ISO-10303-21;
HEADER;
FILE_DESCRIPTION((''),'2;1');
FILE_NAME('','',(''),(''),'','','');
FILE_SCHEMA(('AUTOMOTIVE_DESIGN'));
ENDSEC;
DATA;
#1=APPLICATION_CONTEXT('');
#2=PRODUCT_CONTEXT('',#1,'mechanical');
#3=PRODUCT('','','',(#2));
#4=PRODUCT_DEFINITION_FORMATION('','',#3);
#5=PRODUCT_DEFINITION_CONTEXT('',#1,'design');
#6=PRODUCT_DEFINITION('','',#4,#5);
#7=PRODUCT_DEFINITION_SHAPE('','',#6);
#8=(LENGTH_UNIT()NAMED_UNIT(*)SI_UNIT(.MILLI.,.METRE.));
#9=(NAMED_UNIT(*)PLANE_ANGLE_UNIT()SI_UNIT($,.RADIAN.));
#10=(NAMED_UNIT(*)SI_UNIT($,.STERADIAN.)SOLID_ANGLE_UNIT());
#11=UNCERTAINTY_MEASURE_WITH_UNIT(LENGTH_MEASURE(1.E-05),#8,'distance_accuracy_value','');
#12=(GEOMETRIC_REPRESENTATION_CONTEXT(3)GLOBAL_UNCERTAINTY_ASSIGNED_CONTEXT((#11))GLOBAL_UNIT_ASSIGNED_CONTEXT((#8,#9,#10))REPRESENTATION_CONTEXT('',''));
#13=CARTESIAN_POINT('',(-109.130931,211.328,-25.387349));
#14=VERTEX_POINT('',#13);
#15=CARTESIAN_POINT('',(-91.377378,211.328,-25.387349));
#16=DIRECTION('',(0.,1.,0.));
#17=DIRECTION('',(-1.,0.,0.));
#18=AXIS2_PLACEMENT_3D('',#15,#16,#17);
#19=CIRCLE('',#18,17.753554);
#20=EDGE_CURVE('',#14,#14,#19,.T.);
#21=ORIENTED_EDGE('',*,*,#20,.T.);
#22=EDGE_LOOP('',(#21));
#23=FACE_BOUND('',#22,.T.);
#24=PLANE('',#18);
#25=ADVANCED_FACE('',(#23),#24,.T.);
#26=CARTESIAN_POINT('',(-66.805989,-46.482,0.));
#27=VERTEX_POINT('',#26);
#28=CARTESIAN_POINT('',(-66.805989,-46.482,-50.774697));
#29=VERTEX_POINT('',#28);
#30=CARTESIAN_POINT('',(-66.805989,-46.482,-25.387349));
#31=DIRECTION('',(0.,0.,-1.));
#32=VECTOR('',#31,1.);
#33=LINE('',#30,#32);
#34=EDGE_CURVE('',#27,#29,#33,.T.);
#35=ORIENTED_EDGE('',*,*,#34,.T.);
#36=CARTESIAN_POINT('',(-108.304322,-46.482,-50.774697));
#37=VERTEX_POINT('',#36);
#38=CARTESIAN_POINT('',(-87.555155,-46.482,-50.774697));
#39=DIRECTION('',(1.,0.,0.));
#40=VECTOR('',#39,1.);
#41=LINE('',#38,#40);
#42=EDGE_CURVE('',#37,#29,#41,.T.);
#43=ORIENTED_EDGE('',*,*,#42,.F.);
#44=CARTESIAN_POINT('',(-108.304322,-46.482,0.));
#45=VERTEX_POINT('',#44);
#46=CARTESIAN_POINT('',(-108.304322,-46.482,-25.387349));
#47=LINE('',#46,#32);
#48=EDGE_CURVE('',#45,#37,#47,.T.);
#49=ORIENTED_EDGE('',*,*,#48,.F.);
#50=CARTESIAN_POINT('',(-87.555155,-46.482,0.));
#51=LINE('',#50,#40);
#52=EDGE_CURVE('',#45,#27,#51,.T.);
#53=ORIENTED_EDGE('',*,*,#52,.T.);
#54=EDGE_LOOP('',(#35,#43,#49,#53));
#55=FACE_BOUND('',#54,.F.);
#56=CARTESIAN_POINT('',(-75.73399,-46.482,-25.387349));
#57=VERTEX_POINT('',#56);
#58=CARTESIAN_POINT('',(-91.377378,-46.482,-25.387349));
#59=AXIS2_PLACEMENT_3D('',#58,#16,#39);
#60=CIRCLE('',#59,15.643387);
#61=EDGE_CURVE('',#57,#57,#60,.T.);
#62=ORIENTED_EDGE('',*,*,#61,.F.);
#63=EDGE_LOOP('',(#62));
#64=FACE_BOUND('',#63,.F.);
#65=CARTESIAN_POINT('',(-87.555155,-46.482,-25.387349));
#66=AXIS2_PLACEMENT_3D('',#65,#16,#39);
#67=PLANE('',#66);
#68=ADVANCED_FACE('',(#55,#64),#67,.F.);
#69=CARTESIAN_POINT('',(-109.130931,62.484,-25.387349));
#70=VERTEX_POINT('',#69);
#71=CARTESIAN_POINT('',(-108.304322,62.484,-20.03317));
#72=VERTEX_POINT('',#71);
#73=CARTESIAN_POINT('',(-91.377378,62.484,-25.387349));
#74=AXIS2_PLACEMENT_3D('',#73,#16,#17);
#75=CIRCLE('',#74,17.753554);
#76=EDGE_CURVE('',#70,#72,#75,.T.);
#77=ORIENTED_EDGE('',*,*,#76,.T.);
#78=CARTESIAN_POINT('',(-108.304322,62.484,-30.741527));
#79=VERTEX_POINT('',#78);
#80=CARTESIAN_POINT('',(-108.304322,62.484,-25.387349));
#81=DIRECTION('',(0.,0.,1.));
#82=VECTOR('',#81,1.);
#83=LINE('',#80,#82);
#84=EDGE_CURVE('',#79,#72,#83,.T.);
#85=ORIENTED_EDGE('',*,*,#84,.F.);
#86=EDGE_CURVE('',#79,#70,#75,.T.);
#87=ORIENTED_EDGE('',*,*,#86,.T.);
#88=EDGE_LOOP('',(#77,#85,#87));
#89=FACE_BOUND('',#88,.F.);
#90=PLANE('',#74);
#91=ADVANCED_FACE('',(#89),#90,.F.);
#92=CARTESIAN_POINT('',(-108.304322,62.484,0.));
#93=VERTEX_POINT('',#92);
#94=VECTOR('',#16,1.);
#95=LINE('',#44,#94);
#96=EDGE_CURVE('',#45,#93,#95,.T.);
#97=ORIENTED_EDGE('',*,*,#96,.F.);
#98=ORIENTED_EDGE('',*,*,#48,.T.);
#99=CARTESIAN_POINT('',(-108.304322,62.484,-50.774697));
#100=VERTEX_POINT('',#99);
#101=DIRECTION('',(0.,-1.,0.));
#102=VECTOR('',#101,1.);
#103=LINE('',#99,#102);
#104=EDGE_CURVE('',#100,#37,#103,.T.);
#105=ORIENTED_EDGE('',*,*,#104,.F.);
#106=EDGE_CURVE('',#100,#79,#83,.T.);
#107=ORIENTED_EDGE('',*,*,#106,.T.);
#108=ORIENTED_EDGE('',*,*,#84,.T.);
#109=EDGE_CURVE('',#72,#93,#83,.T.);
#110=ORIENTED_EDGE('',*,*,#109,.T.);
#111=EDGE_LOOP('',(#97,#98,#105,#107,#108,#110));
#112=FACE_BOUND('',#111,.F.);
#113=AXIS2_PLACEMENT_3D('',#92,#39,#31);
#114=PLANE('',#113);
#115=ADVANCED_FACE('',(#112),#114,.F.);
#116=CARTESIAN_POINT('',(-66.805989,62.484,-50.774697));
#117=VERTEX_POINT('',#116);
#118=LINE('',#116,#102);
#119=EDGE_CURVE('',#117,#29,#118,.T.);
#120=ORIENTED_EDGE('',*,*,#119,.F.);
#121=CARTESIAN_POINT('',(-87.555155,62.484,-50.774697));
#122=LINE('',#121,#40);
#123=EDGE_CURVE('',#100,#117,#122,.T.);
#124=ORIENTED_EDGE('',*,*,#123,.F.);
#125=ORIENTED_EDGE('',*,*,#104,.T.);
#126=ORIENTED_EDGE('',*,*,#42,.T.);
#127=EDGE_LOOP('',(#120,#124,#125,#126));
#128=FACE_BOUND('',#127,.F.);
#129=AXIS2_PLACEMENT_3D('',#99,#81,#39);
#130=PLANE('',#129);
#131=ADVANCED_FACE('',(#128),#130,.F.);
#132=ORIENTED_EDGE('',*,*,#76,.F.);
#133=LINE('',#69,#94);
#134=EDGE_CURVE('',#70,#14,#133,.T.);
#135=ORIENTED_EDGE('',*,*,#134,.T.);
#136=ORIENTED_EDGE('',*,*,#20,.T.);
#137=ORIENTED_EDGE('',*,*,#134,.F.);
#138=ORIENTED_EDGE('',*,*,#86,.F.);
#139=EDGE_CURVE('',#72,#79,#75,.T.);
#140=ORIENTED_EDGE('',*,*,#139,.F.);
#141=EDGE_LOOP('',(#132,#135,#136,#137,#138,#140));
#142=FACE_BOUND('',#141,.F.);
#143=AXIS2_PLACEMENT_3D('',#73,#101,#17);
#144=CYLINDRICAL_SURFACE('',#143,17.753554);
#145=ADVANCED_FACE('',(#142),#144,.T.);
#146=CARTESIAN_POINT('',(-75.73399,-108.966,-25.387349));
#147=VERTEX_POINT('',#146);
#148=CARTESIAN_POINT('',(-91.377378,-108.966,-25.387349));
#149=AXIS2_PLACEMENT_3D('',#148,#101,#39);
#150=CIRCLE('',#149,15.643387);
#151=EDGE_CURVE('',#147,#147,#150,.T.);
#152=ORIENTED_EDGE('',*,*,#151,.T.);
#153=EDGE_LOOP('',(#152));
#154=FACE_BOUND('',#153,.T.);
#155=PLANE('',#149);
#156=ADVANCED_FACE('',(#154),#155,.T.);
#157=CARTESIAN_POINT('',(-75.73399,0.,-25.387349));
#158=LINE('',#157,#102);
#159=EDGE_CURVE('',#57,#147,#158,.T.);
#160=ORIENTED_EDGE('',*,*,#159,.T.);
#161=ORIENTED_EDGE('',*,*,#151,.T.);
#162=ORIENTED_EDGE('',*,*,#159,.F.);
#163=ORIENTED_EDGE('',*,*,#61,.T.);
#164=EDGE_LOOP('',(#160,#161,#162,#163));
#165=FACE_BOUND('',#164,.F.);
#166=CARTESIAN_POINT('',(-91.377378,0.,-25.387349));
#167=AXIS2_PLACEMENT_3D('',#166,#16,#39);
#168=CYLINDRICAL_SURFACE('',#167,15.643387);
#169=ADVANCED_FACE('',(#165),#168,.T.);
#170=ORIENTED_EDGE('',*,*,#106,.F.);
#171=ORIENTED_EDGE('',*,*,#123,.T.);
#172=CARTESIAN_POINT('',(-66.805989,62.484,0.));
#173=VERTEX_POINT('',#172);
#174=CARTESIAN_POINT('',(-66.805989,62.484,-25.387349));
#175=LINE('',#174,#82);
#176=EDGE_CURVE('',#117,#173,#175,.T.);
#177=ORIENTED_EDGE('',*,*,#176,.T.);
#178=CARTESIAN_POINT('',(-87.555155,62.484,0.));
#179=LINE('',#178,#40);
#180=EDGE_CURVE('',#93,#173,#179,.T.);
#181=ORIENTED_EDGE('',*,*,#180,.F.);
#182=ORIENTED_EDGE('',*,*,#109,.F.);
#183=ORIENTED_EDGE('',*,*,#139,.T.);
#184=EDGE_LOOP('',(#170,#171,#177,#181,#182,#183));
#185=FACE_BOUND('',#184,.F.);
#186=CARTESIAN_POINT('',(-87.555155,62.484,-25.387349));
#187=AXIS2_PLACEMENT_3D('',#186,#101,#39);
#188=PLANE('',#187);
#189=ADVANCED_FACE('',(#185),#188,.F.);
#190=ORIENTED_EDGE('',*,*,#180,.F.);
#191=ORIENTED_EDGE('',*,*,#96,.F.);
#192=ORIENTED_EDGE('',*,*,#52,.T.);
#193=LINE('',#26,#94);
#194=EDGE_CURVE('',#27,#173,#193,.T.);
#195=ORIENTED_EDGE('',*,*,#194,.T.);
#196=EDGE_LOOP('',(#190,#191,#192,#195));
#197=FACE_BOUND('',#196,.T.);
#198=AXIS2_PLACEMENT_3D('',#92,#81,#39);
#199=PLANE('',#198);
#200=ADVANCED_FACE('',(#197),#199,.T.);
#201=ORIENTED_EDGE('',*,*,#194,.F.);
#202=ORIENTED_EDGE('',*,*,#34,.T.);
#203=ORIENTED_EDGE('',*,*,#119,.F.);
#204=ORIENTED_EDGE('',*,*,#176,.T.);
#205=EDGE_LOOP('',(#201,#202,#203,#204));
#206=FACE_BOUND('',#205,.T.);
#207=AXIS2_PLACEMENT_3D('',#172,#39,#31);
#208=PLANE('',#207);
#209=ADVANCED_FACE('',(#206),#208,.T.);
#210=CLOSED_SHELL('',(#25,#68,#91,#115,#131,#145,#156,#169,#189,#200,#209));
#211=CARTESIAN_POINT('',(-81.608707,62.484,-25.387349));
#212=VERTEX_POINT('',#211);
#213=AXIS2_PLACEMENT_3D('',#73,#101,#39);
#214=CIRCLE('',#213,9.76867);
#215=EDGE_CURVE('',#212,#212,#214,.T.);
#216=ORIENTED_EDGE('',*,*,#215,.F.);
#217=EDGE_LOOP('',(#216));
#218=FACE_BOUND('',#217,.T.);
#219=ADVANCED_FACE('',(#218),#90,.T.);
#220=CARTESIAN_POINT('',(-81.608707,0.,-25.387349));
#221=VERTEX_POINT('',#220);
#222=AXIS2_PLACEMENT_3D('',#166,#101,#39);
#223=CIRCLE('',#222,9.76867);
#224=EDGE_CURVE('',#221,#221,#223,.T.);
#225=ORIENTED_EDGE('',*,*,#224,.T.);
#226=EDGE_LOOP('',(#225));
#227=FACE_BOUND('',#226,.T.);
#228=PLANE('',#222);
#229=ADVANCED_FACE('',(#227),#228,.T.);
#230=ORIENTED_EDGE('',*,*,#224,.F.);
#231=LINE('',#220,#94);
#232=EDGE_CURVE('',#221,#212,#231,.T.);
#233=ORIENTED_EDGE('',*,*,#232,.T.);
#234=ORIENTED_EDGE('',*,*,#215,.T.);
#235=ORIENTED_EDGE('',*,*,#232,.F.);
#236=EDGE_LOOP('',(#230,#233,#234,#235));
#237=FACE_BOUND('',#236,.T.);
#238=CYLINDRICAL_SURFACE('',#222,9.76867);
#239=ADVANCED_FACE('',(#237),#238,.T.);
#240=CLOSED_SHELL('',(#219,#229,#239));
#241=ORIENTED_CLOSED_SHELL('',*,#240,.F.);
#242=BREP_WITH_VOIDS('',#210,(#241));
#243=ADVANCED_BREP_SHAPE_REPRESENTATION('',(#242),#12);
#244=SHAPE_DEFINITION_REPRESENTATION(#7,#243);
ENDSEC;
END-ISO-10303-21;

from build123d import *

# Parameters (mm, degrees)
F0_W       = 41.4983332157
F0_H       = 50.7746972144
F0_R       = 9.7686704189
F1_DEPTH   = 62.484
F2_R       = 15.6433873562
F1_FACE1_W = 41.4983332157
F1_FACE1_H = 50.7746972144
F1_FACE1_R = 9.7686704189
F3_DEPTH   = 108.966
F4_R       = 17.7535536274
F5_DEPTH   = 148.844


with BuildPart() as f1:
    # F0 (on Front) → F1 (new body)
    with BuildSketch(Plane.XZ):
        with Locations((-87.555155158, -25.3873486072)):
            Rectangle(F0_W, F0_H)
        with Locations((-91.3773775101, -25.3873486072)):
            Circle(F0_R, mode=Mode.SUBTRACT)
    extrude(amount=-F1_DEPTH)

    # F2 (on face) + F1_face1 (on face) → F3 (join)
    with BuildSketch(Plane.XZ):
        with Locations((-91.3773775101, -25.3873486072)):
            Circle(F2_R)
    with BuildSketch(Plane(origin=(-86.9211204596, 62.484, -25.3873486072), x_dir=(1, 0, 0), z_dir=(0, 1, 0))):
        with Locations((-0.6340346985, 0)):
            Rectangle(F1_FACE1_W, F1_FACE1_H)
        with Locations((-4.4562570505, 0)):
            Circle(F1_FACE1_R, mode=Mode.SUBTRACT)
    extrude(amount=F3_DEPTH, dir=(0, -1, 0))

    # F4 (on face) → F5 (join)
    with BuildSketch(Plane(origin=(0, 62.484, 0), x_dir=(-1, 0, 0), z_dir=(0, 1, 0))):
        with Locations((91.3773775101, -25.3873486072)):
            Circle(F4_R)
    extrude(amount=F5_DEPTH)


solid = f1.part
